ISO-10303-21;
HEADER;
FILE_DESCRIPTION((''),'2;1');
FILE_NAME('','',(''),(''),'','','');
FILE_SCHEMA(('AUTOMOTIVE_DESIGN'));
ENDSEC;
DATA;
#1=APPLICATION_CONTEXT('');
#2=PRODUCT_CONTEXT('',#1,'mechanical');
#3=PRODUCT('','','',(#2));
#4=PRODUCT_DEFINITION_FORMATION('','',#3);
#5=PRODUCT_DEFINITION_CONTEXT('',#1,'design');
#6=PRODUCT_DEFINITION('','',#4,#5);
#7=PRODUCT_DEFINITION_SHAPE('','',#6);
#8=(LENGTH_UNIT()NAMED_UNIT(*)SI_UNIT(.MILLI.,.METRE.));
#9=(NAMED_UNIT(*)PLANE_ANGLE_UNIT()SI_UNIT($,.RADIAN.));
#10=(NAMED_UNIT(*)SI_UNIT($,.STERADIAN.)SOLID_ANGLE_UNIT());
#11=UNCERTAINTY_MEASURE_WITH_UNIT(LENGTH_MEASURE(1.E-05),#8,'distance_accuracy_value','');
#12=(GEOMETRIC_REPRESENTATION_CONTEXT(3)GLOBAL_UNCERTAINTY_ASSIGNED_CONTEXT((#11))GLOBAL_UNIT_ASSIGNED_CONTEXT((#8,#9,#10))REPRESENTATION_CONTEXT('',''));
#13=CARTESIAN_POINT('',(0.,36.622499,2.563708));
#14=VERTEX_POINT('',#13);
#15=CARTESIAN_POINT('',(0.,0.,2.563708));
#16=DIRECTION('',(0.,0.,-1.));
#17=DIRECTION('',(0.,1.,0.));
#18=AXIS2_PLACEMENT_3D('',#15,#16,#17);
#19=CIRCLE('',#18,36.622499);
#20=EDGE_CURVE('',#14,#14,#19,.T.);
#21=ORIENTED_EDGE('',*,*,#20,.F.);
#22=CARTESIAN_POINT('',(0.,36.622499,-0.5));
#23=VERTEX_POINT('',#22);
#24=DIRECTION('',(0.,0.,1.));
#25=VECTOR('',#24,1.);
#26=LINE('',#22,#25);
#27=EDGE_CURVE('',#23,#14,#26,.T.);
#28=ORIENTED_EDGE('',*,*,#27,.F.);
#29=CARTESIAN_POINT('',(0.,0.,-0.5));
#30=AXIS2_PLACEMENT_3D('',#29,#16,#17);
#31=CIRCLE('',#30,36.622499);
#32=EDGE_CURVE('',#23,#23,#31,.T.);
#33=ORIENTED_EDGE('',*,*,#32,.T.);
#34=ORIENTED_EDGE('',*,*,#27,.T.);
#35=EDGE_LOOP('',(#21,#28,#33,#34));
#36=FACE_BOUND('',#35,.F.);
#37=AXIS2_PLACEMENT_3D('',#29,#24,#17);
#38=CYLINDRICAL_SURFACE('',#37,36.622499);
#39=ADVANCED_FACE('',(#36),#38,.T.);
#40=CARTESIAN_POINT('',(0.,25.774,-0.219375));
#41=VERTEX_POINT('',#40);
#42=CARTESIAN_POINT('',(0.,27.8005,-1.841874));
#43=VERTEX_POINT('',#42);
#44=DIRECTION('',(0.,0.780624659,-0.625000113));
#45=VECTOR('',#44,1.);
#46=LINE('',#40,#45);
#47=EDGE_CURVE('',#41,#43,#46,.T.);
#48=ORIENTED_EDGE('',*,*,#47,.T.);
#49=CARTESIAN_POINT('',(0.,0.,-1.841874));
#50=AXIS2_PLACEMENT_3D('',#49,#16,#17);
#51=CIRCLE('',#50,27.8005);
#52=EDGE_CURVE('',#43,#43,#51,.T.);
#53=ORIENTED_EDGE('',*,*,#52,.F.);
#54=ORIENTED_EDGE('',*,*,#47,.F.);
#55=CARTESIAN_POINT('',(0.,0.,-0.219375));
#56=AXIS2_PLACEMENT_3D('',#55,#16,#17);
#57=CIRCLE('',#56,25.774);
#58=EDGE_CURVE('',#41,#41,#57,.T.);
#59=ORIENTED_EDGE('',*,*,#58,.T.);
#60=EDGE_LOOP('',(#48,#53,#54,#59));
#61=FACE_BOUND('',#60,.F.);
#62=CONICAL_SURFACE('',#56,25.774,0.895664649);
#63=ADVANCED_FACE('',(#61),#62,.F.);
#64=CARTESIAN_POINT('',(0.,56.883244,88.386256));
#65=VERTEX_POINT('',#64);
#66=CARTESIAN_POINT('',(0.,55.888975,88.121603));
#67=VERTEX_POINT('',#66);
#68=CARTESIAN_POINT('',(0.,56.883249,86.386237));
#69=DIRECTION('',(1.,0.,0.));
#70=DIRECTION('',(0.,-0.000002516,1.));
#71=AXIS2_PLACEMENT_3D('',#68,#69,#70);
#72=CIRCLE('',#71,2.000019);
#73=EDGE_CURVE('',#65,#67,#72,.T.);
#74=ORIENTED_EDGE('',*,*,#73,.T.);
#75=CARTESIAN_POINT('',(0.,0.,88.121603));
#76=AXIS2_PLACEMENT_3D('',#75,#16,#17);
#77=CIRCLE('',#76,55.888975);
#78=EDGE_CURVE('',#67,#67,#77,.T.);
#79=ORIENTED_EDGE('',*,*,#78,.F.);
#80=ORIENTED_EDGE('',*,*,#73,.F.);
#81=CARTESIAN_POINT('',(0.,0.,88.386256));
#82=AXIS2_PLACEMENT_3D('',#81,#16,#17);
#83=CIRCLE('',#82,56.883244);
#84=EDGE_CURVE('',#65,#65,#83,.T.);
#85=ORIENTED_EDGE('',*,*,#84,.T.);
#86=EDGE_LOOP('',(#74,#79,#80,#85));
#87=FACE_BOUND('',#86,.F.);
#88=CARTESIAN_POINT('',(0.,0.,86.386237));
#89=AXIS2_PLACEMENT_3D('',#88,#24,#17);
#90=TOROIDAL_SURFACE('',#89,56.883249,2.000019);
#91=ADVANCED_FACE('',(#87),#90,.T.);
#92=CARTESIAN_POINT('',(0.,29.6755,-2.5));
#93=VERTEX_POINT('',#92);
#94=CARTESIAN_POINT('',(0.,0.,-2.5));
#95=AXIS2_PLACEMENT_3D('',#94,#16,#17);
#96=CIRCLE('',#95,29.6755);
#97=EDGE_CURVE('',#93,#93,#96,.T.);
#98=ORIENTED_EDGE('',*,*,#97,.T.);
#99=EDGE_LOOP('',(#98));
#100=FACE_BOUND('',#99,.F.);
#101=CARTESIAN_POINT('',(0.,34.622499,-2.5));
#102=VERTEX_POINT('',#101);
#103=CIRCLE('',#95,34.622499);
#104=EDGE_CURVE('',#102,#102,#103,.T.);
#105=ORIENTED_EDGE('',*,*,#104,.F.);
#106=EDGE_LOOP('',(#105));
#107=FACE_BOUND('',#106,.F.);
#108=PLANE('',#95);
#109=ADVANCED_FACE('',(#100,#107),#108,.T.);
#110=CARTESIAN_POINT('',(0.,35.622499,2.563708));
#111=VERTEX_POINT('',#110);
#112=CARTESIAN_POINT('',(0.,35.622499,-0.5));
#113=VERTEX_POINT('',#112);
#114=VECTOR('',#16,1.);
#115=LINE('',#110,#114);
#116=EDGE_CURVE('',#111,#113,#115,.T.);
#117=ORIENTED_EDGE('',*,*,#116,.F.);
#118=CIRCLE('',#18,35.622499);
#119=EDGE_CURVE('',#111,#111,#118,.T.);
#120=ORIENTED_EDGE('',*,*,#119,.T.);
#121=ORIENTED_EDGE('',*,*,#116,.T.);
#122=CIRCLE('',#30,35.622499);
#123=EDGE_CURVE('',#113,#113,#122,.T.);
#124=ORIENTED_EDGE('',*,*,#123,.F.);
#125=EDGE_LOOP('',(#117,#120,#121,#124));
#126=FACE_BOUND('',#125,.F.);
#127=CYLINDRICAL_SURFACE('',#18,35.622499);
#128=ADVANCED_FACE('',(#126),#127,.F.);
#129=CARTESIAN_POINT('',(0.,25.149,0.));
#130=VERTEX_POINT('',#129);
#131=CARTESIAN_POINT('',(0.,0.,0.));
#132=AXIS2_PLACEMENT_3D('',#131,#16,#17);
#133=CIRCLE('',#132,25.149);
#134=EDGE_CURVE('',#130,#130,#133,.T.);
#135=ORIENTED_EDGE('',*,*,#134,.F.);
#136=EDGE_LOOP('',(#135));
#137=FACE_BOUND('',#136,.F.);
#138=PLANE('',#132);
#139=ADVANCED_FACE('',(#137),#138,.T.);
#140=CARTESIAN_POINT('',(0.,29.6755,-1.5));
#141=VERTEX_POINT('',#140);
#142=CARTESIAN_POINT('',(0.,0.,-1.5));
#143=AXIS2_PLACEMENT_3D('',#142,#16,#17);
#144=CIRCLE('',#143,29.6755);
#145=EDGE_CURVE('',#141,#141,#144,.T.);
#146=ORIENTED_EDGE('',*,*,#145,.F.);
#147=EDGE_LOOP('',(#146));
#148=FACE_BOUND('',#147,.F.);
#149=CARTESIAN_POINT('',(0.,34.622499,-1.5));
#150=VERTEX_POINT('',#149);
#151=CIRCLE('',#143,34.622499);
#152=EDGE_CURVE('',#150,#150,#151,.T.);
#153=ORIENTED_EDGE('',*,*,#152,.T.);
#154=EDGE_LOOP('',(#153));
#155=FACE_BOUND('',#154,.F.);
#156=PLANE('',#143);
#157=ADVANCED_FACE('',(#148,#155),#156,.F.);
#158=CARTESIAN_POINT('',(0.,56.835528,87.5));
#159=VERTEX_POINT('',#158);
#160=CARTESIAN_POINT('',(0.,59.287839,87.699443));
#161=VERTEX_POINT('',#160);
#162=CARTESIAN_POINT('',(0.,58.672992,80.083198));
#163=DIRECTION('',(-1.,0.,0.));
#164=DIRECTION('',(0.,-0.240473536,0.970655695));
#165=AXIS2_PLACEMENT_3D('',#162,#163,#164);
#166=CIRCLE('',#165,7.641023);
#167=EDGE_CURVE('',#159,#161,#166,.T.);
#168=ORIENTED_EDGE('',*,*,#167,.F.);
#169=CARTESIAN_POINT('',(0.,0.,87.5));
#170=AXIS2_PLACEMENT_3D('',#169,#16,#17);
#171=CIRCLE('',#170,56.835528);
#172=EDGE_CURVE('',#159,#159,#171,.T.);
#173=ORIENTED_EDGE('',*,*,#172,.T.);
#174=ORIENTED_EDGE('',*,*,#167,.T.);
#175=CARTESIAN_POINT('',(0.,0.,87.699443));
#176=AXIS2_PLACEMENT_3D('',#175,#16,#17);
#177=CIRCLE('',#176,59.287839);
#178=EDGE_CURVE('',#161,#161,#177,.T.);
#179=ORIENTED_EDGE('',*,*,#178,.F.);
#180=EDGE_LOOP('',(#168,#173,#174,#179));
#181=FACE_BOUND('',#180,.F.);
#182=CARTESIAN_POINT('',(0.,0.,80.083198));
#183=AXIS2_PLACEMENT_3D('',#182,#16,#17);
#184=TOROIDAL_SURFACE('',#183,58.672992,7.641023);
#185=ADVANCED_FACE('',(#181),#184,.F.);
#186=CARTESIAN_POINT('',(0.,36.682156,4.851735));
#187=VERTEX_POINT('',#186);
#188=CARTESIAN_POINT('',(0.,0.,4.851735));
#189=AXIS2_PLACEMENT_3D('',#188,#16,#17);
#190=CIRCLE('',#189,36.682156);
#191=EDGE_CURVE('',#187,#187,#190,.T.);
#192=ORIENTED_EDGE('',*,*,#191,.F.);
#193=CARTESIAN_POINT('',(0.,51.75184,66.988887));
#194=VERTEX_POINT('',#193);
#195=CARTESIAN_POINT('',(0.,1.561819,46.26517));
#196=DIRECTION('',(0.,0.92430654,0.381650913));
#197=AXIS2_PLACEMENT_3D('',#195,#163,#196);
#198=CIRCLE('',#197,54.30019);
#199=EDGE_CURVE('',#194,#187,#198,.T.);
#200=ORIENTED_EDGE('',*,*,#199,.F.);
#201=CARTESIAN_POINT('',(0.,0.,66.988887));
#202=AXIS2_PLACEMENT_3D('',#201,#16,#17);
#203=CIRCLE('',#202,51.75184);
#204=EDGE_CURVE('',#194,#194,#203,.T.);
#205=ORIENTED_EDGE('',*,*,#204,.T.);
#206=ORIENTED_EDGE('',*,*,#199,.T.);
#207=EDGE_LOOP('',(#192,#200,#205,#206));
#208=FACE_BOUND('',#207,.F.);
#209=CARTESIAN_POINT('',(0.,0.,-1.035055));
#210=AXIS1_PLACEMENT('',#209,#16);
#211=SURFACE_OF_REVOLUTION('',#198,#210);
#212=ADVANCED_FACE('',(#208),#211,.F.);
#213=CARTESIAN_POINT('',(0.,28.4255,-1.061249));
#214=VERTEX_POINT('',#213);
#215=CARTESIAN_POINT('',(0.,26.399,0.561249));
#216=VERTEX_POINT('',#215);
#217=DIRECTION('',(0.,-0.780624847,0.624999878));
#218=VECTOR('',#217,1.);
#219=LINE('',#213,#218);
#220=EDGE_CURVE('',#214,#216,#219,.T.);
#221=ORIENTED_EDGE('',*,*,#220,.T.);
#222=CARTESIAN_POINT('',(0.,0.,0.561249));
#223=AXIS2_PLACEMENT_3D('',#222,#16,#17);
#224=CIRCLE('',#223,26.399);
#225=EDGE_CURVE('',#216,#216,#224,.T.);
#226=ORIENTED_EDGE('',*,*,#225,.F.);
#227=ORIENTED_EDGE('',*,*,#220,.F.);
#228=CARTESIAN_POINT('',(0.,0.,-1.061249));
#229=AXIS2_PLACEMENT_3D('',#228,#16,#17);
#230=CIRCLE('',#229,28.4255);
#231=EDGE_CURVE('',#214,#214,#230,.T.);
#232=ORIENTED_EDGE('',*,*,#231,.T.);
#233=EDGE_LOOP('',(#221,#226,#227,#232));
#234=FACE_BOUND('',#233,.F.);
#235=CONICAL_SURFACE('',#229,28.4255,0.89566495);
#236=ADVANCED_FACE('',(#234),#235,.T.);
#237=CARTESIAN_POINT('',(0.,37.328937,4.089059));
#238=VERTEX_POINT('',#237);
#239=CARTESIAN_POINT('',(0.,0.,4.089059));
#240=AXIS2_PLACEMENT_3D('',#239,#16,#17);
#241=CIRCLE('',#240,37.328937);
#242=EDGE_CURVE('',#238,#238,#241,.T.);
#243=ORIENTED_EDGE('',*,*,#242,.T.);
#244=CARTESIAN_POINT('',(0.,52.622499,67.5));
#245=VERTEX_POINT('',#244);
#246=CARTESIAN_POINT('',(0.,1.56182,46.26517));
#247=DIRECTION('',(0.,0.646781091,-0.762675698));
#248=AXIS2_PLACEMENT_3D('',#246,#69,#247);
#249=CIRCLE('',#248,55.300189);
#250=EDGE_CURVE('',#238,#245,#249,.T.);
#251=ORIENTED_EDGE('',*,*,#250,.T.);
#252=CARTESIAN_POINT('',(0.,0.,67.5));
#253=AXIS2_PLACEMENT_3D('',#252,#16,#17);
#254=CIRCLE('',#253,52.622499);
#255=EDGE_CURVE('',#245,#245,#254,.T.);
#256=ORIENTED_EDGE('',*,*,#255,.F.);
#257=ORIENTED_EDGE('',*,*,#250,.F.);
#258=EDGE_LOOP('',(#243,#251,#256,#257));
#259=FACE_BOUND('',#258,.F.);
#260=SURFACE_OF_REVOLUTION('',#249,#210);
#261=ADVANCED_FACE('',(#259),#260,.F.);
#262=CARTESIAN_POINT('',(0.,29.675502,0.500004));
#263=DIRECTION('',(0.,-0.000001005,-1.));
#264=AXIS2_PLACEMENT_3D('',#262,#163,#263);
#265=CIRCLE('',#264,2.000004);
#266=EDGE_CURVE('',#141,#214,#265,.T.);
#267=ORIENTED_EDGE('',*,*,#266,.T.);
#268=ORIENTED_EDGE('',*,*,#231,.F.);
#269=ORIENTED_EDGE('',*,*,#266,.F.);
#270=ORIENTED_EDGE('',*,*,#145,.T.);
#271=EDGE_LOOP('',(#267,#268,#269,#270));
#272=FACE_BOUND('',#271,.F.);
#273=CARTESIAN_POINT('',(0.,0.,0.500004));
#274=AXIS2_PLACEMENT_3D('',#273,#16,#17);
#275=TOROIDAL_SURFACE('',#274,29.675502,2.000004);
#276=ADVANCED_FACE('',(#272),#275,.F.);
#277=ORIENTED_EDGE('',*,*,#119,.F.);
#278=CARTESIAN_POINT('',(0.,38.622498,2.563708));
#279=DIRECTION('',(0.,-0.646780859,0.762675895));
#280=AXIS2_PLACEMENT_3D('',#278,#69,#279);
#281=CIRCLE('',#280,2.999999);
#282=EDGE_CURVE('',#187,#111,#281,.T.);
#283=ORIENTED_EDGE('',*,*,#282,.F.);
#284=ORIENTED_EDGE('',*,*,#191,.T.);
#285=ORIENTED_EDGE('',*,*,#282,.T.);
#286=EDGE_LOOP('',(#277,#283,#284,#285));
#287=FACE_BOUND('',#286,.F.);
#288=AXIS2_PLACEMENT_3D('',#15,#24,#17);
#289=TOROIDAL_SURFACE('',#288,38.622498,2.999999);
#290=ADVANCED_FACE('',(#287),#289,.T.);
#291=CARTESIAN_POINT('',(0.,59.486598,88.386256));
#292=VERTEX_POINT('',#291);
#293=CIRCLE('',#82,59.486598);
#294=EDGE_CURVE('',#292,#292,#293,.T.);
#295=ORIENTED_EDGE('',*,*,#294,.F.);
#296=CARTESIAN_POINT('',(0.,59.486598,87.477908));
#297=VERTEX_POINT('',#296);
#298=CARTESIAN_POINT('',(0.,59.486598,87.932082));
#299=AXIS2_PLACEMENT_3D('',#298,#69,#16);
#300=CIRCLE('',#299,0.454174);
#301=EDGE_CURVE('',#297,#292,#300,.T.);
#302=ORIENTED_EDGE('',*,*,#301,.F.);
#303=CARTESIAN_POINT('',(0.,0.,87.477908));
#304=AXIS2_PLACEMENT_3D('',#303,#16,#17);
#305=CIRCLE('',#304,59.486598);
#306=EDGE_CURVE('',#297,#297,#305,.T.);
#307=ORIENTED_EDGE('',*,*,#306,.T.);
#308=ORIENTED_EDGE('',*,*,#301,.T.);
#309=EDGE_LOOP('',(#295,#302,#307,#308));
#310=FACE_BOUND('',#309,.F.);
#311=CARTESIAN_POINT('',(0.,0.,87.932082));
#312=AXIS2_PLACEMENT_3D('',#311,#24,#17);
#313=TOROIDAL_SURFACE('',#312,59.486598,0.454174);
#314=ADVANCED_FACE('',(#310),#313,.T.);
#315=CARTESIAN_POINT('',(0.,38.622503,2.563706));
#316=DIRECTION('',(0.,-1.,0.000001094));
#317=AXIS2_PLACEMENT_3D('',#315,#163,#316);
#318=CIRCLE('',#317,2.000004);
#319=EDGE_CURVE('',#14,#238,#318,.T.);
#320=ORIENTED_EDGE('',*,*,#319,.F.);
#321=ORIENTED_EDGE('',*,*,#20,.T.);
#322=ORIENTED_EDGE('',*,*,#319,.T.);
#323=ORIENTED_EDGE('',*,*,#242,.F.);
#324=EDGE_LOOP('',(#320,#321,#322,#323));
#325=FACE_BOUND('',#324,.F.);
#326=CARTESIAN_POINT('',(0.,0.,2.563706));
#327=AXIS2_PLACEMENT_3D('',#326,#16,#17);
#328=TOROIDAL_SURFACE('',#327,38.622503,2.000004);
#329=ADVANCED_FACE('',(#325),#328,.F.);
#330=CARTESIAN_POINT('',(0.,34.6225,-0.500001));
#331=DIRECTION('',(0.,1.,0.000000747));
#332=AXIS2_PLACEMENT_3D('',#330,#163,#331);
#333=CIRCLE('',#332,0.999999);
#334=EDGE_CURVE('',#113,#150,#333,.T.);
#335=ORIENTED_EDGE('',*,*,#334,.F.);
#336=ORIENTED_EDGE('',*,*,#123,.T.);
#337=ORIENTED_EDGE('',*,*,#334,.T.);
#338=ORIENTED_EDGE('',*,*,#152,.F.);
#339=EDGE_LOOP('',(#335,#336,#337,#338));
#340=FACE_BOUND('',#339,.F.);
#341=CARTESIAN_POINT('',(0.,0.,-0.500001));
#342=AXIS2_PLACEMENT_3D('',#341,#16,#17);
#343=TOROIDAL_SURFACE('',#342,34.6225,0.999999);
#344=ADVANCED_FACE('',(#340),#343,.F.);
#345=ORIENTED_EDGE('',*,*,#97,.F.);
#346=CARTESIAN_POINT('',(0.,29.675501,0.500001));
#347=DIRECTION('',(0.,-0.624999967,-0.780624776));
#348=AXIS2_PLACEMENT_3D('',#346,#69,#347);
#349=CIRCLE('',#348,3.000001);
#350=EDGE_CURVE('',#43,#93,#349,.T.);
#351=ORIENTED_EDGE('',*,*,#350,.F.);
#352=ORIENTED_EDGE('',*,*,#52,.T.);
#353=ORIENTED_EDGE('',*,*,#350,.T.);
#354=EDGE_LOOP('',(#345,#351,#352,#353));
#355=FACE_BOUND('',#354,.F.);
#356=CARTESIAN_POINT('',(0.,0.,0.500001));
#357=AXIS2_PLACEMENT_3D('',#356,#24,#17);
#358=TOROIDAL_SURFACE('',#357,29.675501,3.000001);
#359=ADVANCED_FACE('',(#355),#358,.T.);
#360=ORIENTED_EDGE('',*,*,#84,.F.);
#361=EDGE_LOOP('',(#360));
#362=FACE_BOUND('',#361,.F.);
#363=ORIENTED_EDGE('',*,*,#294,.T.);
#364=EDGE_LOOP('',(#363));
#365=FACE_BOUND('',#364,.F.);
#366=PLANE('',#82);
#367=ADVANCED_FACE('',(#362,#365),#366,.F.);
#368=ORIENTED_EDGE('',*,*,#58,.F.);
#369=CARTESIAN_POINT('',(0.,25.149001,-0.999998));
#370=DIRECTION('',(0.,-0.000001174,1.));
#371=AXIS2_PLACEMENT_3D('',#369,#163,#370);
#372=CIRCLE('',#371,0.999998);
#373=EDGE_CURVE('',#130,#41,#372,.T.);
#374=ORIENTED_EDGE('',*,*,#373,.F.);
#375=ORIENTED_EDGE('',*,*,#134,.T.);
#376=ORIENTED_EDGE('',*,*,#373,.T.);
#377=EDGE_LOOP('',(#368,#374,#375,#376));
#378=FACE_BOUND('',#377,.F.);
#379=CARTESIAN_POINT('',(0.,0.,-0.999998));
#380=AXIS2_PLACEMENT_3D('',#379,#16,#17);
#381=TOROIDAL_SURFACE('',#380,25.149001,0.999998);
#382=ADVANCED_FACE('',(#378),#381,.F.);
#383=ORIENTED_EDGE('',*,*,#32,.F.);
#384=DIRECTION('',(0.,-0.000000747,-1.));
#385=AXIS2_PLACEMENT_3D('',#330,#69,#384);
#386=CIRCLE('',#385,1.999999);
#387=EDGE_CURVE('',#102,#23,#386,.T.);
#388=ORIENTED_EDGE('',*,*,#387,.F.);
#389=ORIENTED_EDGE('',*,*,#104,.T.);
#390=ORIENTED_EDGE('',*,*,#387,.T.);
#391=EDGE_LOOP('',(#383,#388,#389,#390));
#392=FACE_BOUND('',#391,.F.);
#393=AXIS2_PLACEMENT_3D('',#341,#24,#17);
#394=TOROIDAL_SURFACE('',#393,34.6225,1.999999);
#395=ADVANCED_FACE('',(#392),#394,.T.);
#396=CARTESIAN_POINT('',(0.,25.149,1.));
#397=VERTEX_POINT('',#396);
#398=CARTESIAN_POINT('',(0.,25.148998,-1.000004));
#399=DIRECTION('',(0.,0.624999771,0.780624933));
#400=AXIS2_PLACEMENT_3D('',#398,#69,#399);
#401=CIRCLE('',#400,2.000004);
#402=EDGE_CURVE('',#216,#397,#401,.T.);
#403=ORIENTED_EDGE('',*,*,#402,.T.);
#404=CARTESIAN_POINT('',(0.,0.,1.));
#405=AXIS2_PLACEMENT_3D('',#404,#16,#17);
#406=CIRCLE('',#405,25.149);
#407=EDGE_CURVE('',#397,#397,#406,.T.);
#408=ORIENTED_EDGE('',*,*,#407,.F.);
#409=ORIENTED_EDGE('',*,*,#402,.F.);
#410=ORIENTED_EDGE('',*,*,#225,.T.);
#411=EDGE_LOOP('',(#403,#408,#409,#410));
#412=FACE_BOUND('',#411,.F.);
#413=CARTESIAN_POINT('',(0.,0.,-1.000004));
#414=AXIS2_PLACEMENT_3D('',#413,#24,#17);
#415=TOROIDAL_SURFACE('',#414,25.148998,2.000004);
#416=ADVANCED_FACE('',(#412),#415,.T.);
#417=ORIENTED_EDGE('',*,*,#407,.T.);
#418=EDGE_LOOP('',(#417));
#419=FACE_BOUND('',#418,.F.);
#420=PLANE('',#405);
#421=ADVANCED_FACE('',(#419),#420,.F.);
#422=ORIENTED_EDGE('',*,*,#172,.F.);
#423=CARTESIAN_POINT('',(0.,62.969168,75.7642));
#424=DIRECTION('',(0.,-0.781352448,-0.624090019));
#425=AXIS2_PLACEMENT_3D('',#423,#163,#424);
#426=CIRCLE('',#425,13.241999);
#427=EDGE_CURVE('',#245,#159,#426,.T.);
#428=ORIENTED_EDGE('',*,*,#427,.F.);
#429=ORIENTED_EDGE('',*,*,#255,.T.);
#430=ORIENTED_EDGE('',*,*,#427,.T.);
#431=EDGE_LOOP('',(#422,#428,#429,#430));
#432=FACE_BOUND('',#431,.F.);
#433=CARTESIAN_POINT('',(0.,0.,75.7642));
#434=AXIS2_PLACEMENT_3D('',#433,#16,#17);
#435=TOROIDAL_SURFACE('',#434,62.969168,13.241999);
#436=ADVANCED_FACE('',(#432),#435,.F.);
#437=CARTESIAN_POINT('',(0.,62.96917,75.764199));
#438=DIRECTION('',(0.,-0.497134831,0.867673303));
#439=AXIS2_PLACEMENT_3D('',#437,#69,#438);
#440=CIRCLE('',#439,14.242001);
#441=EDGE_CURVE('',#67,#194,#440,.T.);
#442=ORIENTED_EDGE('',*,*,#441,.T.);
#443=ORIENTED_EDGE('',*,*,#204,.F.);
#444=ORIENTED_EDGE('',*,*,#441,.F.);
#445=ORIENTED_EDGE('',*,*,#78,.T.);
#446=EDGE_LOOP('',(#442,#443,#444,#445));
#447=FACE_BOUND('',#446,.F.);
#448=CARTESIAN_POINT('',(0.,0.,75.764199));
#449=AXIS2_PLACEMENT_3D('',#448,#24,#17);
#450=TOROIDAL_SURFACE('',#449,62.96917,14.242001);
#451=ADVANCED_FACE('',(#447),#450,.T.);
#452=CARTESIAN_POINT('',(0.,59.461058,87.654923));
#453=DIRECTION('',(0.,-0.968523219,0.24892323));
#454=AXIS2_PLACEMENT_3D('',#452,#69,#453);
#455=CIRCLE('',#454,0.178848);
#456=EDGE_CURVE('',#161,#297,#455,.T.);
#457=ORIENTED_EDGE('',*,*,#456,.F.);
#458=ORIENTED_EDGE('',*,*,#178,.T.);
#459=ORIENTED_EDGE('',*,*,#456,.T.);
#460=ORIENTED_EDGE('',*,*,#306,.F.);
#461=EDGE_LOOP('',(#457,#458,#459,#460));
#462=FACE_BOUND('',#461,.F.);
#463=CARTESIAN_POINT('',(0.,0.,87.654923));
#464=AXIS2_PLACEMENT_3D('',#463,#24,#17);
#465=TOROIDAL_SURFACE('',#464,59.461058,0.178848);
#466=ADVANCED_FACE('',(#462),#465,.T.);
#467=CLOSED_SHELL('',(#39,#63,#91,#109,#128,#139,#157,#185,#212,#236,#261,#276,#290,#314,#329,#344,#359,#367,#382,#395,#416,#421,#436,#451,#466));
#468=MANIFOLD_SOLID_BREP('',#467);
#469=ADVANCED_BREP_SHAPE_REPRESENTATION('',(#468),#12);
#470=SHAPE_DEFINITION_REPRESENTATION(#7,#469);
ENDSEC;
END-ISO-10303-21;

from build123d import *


with BuildPart() as f1:
    # F0 (on Right) → F1 (revolve)
    with BuildSketch(Plane.YZ):
        with BuildLine():
            Line((0, 1), (0, 0))
            Line((0, 0), (25.149, 0))
            ThreePointArc((25.149, 0), (25.480191, -0.056436), (25.774, -0.219375))
            Line((25.774, -0.219375), (27.8005, -1.841874))
            ThreePointArc((27.8005, -1.841874), (28.681927, -2.330691), (29.6755, -2.5))
            Line((29.6755, -2.5), (34.622499, -2.5))
            ThreePointArc((34.622499, -2.5), (36.036713, -1.914214), (36.622499, -0.5))
            Line((36.622499, -0.5), (36.622499, 2.563708))
            ThreePointArc((36.622499, 2.563708), (36.807682, 3.404206), (37.328937, 4.089059))
            ThreePointArc((37.328937, 4.089059), (55.320572, 33.29954), (52.622499, 67.5))
            ThreePointArc((52.622499, 67.5), (50.011539, 78.493743), (56.835528, 87.5))
            ThreePointArc((56.835528, 87.5), (58.053603, 87.699075), (59.287839, 87.699443))
            ThreePointArc((59.287839, 87.699443), (59.327935, 87.535487), (59.486598, 87.477908))
            ThreePointArc((59.486598, 87.477908), (59.940772, 87.932082), (59.486598, 88.386256))
            Line((59.486598, 88.386256), (56.883244, 88.386256))
            ThreePointArc((56.883244, 88.386256), (56.3688, 88.31896), (55.888975, 88.121603))
            ThreePointArc((55.888975, 88.121603), (48.992483, 78.500404), (51.75184, 66.988887))
            ThreePointArc((51.75184, 66.988887), (54.332272, 33.467125), (36.682156, 4.851735))
            ThreePointArc((36.682156, 4.851735), (35.900273, 3.824456), (35.622499, 2.563708))
            Line((35.622499, 2.563708), (35.622499, -0.5))
            ThreePointArc((35.622499, -0.5), (35.329606, -1.207107), (34.622499, -1.5))
            Line((34.622499, -1.5), (29.6755, -1.5))
            ThreePointArc((29.6755, -1.5), (29.013118, -1.387127), (28.4255, -1.061249))
            Line((28.4255, -1.061249), (26.399, 0.561249))
            ThreePointArc((26.399, 0.561249), (25.811382, 0.887127), (25.149, 1))
            Line((25.149, 1), (0, 1))
        make_face()
    revolve(axis=Axis((0, 0, -1.035055), (0, 0, -1)))


solid = f1.part
